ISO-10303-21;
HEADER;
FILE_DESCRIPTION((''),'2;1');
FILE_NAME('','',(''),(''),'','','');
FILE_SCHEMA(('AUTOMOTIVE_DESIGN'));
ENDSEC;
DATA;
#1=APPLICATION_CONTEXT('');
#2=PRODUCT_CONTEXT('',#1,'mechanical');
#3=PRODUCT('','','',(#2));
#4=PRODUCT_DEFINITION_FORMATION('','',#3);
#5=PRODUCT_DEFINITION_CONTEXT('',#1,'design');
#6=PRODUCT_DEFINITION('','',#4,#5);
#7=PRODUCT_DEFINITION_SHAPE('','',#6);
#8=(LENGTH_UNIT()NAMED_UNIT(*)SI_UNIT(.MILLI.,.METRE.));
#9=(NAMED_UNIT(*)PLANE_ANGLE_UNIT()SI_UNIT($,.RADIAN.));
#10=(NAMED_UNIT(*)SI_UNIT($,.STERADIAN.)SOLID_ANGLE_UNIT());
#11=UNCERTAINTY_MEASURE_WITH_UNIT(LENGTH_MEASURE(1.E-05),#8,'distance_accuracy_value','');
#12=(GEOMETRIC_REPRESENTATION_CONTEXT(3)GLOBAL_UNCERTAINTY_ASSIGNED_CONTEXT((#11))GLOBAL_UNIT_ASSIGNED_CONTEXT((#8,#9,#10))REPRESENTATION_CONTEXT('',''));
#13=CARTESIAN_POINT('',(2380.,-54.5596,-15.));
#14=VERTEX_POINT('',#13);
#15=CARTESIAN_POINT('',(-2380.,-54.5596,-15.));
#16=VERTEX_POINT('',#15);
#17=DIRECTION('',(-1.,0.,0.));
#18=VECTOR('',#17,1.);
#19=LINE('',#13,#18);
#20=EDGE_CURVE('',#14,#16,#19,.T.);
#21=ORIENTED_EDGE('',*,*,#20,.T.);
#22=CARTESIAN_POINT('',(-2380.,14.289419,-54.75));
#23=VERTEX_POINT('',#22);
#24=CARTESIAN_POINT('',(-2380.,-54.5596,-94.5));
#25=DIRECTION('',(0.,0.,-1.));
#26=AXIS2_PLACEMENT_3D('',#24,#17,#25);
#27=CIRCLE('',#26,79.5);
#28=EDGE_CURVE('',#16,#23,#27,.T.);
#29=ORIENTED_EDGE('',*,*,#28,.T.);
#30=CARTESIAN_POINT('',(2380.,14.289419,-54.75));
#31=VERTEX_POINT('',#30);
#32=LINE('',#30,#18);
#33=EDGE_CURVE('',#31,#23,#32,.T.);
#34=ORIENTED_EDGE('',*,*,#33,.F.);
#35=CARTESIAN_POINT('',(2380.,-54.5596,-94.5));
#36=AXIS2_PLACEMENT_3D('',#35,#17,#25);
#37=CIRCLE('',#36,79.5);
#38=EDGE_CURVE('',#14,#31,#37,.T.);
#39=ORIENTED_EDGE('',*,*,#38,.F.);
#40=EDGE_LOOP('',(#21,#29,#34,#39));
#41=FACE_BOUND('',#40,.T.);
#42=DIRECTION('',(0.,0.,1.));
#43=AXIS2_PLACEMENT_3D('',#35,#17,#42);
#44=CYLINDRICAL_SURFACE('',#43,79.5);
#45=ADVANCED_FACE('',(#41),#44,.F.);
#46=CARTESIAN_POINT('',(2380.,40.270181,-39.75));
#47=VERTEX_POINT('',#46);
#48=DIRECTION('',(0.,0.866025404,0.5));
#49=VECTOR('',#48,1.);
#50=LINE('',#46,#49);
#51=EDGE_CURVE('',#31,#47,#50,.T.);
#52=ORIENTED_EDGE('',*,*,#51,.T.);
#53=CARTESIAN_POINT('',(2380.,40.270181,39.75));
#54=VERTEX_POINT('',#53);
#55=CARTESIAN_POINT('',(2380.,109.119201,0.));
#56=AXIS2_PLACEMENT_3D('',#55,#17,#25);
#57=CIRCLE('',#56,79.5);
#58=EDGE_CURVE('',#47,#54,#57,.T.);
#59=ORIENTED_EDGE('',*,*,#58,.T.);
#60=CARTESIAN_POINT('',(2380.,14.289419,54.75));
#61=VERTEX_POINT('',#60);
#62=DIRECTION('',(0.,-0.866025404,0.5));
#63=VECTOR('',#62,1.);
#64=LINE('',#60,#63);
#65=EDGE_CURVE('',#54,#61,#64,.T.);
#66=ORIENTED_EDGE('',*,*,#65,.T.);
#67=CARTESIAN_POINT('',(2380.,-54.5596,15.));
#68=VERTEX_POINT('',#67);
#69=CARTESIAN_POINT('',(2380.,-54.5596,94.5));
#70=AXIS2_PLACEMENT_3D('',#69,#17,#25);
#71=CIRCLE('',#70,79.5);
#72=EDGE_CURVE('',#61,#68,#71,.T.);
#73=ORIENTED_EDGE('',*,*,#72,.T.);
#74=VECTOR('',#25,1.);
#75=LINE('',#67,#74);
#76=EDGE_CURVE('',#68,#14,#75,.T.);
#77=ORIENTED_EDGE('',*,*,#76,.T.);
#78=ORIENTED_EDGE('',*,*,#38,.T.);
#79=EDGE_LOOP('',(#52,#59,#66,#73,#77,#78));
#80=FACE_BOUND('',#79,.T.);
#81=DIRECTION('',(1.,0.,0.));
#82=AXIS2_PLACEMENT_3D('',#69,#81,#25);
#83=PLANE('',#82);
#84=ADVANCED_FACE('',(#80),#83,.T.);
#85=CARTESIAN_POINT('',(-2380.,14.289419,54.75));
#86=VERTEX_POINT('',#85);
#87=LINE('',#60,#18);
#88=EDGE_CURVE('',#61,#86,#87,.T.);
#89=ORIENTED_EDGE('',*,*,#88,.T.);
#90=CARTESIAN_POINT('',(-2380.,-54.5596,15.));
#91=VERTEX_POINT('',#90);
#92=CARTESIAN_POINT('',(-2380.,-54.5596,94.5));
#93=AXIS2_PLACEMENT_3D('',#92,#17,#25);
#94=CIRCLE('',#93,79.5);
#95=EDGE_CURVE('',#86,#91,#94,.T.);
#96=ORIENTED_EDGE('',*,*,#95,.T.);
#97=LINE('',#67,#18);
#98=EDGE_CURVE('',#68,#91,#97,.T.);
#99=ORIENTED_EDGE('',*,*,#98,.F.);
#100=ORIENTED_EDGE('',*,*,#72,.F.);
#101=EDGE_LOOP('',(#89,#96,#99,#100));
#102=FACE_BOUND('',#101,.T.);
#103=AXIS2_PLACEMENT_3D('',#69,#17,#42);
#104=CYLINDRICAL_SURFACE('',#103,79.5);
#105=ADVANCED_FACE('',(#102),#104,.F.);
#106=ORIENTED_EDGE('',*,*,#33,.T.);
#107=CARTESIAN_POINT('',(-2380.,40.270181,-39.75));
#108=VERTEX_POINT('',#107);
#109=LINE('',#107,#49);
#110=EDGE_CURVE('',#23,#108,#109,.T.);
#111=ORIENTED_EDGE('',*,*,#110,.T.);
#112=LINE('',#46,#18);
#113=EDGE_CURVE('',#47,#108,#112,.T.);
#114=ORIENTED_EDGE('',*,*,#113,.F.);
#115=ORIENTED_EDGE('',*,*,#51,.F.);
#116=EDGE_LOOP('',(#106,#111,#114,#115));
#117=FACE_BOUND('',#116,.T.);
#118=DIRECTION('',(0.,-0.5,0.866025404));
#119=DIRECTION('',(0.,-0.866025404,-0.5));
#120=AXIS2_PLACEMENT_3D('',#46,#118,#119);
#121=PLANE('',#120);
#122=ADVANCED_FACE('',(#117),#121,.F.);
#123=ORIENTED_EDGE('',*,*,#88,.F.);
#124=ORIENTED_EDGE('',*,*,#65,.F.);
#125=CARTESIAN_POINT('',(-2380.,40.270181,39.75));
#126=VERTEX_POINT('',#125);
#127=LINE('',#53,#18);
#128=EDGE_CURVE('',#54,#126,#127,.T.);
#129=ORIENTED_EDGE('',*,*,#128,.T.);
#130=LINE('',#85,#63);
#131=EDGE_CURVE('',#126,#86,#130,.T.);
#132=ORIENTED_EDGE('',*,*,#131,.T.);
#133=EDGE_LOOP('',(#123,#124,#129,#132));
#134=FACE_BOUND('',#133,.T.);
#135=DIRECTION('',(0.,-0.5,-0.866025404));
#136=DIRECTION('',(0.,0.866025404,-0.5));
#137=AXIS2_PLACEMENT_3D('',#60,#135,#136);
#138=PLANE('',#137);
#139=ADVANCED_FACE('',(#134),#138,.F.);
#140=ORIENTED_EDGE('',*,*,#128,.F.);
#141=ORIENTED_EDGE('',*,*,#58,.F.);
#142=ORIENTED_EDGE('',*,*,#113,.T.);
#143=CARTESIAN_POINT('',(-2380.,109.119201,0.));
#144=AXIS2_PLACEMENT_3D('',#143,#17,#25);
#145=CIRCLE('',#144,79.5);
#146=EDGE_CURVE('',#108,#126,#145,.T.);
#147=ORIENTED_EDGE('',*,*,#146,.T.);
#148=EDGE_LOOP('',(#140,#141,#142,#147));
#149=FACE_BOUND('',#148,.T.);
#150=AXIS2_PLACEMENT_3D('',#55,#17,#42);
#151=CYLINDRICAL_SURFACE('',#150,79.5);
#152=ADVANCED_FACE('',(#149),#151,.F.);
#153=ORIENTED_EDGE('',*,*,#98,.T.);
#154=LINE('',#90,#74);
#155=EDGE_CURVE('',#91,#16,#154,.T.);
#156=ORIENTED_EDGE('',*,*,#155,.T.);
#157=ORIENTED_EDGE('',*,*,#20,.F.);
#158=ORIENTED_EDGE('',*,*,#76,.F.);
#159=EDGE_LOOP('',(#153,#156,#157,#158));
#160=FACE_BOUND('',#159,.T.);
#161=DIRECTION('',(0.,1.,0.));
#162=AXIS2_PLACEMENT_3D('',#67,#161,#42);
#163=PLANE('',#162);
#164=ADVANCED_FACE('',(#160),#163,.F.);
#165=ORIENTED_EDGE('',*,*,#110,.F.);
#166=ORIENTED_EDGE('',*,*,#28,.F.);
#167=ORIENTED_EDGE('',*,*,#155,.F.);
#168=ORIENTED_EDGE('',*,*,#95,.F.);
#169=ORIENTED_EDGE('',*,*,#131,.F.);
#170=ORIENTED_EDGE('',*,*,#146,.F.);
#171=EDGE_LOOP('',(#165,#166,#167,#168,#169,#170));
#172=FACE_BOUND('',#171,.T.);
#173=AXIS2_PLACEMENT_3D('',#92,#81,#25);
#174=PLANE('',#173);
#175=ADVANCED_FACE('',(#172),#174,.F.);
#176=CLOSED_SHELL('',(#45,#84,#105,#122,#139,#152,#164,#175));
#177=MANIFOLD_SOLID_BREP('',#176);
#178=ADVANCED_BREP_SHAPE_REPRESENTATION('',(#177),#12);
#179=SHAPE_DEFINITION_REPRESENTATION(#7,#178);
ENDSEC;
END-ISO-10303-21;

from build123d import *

# Parameters (mm, degrees)
BOSS_EXTRUDE1_DEPTH = 2380


with BuildPart() as part:
    # Sketch1 → Boss-Extrude1 (new body, symmetric)
    with BuildSketch(Plane(origin=(0, 0, 0), x_dir=(0, 0, -1), z_dir=(1, 0, 0))):
        with BuildLine():
            Line((-15, -54.559600438), (15, -54.559600438))
            ThreePointArc((15, -54.559600438), (25.650980399, -14.809600438), (54.75, 14.289419162))
            Line((54.75, 14.289419162), (39.75, 40.270181276))
            ThreePointArc((39.75, 40.270181276), (0, 29.619200877), (-39.75, 40.270181276))
            Line((-39.75, 40.270181276), (-54.75, 14.289419162))
            ThreePointArc((-54.75, 14.289419162), (-25.650980399, -14.809600438), (-15, -54.559600438))
        make_face()
    extrude(amount=BOSS_EXTRUDE1_DEPTH, both=True)


solid = part.part
